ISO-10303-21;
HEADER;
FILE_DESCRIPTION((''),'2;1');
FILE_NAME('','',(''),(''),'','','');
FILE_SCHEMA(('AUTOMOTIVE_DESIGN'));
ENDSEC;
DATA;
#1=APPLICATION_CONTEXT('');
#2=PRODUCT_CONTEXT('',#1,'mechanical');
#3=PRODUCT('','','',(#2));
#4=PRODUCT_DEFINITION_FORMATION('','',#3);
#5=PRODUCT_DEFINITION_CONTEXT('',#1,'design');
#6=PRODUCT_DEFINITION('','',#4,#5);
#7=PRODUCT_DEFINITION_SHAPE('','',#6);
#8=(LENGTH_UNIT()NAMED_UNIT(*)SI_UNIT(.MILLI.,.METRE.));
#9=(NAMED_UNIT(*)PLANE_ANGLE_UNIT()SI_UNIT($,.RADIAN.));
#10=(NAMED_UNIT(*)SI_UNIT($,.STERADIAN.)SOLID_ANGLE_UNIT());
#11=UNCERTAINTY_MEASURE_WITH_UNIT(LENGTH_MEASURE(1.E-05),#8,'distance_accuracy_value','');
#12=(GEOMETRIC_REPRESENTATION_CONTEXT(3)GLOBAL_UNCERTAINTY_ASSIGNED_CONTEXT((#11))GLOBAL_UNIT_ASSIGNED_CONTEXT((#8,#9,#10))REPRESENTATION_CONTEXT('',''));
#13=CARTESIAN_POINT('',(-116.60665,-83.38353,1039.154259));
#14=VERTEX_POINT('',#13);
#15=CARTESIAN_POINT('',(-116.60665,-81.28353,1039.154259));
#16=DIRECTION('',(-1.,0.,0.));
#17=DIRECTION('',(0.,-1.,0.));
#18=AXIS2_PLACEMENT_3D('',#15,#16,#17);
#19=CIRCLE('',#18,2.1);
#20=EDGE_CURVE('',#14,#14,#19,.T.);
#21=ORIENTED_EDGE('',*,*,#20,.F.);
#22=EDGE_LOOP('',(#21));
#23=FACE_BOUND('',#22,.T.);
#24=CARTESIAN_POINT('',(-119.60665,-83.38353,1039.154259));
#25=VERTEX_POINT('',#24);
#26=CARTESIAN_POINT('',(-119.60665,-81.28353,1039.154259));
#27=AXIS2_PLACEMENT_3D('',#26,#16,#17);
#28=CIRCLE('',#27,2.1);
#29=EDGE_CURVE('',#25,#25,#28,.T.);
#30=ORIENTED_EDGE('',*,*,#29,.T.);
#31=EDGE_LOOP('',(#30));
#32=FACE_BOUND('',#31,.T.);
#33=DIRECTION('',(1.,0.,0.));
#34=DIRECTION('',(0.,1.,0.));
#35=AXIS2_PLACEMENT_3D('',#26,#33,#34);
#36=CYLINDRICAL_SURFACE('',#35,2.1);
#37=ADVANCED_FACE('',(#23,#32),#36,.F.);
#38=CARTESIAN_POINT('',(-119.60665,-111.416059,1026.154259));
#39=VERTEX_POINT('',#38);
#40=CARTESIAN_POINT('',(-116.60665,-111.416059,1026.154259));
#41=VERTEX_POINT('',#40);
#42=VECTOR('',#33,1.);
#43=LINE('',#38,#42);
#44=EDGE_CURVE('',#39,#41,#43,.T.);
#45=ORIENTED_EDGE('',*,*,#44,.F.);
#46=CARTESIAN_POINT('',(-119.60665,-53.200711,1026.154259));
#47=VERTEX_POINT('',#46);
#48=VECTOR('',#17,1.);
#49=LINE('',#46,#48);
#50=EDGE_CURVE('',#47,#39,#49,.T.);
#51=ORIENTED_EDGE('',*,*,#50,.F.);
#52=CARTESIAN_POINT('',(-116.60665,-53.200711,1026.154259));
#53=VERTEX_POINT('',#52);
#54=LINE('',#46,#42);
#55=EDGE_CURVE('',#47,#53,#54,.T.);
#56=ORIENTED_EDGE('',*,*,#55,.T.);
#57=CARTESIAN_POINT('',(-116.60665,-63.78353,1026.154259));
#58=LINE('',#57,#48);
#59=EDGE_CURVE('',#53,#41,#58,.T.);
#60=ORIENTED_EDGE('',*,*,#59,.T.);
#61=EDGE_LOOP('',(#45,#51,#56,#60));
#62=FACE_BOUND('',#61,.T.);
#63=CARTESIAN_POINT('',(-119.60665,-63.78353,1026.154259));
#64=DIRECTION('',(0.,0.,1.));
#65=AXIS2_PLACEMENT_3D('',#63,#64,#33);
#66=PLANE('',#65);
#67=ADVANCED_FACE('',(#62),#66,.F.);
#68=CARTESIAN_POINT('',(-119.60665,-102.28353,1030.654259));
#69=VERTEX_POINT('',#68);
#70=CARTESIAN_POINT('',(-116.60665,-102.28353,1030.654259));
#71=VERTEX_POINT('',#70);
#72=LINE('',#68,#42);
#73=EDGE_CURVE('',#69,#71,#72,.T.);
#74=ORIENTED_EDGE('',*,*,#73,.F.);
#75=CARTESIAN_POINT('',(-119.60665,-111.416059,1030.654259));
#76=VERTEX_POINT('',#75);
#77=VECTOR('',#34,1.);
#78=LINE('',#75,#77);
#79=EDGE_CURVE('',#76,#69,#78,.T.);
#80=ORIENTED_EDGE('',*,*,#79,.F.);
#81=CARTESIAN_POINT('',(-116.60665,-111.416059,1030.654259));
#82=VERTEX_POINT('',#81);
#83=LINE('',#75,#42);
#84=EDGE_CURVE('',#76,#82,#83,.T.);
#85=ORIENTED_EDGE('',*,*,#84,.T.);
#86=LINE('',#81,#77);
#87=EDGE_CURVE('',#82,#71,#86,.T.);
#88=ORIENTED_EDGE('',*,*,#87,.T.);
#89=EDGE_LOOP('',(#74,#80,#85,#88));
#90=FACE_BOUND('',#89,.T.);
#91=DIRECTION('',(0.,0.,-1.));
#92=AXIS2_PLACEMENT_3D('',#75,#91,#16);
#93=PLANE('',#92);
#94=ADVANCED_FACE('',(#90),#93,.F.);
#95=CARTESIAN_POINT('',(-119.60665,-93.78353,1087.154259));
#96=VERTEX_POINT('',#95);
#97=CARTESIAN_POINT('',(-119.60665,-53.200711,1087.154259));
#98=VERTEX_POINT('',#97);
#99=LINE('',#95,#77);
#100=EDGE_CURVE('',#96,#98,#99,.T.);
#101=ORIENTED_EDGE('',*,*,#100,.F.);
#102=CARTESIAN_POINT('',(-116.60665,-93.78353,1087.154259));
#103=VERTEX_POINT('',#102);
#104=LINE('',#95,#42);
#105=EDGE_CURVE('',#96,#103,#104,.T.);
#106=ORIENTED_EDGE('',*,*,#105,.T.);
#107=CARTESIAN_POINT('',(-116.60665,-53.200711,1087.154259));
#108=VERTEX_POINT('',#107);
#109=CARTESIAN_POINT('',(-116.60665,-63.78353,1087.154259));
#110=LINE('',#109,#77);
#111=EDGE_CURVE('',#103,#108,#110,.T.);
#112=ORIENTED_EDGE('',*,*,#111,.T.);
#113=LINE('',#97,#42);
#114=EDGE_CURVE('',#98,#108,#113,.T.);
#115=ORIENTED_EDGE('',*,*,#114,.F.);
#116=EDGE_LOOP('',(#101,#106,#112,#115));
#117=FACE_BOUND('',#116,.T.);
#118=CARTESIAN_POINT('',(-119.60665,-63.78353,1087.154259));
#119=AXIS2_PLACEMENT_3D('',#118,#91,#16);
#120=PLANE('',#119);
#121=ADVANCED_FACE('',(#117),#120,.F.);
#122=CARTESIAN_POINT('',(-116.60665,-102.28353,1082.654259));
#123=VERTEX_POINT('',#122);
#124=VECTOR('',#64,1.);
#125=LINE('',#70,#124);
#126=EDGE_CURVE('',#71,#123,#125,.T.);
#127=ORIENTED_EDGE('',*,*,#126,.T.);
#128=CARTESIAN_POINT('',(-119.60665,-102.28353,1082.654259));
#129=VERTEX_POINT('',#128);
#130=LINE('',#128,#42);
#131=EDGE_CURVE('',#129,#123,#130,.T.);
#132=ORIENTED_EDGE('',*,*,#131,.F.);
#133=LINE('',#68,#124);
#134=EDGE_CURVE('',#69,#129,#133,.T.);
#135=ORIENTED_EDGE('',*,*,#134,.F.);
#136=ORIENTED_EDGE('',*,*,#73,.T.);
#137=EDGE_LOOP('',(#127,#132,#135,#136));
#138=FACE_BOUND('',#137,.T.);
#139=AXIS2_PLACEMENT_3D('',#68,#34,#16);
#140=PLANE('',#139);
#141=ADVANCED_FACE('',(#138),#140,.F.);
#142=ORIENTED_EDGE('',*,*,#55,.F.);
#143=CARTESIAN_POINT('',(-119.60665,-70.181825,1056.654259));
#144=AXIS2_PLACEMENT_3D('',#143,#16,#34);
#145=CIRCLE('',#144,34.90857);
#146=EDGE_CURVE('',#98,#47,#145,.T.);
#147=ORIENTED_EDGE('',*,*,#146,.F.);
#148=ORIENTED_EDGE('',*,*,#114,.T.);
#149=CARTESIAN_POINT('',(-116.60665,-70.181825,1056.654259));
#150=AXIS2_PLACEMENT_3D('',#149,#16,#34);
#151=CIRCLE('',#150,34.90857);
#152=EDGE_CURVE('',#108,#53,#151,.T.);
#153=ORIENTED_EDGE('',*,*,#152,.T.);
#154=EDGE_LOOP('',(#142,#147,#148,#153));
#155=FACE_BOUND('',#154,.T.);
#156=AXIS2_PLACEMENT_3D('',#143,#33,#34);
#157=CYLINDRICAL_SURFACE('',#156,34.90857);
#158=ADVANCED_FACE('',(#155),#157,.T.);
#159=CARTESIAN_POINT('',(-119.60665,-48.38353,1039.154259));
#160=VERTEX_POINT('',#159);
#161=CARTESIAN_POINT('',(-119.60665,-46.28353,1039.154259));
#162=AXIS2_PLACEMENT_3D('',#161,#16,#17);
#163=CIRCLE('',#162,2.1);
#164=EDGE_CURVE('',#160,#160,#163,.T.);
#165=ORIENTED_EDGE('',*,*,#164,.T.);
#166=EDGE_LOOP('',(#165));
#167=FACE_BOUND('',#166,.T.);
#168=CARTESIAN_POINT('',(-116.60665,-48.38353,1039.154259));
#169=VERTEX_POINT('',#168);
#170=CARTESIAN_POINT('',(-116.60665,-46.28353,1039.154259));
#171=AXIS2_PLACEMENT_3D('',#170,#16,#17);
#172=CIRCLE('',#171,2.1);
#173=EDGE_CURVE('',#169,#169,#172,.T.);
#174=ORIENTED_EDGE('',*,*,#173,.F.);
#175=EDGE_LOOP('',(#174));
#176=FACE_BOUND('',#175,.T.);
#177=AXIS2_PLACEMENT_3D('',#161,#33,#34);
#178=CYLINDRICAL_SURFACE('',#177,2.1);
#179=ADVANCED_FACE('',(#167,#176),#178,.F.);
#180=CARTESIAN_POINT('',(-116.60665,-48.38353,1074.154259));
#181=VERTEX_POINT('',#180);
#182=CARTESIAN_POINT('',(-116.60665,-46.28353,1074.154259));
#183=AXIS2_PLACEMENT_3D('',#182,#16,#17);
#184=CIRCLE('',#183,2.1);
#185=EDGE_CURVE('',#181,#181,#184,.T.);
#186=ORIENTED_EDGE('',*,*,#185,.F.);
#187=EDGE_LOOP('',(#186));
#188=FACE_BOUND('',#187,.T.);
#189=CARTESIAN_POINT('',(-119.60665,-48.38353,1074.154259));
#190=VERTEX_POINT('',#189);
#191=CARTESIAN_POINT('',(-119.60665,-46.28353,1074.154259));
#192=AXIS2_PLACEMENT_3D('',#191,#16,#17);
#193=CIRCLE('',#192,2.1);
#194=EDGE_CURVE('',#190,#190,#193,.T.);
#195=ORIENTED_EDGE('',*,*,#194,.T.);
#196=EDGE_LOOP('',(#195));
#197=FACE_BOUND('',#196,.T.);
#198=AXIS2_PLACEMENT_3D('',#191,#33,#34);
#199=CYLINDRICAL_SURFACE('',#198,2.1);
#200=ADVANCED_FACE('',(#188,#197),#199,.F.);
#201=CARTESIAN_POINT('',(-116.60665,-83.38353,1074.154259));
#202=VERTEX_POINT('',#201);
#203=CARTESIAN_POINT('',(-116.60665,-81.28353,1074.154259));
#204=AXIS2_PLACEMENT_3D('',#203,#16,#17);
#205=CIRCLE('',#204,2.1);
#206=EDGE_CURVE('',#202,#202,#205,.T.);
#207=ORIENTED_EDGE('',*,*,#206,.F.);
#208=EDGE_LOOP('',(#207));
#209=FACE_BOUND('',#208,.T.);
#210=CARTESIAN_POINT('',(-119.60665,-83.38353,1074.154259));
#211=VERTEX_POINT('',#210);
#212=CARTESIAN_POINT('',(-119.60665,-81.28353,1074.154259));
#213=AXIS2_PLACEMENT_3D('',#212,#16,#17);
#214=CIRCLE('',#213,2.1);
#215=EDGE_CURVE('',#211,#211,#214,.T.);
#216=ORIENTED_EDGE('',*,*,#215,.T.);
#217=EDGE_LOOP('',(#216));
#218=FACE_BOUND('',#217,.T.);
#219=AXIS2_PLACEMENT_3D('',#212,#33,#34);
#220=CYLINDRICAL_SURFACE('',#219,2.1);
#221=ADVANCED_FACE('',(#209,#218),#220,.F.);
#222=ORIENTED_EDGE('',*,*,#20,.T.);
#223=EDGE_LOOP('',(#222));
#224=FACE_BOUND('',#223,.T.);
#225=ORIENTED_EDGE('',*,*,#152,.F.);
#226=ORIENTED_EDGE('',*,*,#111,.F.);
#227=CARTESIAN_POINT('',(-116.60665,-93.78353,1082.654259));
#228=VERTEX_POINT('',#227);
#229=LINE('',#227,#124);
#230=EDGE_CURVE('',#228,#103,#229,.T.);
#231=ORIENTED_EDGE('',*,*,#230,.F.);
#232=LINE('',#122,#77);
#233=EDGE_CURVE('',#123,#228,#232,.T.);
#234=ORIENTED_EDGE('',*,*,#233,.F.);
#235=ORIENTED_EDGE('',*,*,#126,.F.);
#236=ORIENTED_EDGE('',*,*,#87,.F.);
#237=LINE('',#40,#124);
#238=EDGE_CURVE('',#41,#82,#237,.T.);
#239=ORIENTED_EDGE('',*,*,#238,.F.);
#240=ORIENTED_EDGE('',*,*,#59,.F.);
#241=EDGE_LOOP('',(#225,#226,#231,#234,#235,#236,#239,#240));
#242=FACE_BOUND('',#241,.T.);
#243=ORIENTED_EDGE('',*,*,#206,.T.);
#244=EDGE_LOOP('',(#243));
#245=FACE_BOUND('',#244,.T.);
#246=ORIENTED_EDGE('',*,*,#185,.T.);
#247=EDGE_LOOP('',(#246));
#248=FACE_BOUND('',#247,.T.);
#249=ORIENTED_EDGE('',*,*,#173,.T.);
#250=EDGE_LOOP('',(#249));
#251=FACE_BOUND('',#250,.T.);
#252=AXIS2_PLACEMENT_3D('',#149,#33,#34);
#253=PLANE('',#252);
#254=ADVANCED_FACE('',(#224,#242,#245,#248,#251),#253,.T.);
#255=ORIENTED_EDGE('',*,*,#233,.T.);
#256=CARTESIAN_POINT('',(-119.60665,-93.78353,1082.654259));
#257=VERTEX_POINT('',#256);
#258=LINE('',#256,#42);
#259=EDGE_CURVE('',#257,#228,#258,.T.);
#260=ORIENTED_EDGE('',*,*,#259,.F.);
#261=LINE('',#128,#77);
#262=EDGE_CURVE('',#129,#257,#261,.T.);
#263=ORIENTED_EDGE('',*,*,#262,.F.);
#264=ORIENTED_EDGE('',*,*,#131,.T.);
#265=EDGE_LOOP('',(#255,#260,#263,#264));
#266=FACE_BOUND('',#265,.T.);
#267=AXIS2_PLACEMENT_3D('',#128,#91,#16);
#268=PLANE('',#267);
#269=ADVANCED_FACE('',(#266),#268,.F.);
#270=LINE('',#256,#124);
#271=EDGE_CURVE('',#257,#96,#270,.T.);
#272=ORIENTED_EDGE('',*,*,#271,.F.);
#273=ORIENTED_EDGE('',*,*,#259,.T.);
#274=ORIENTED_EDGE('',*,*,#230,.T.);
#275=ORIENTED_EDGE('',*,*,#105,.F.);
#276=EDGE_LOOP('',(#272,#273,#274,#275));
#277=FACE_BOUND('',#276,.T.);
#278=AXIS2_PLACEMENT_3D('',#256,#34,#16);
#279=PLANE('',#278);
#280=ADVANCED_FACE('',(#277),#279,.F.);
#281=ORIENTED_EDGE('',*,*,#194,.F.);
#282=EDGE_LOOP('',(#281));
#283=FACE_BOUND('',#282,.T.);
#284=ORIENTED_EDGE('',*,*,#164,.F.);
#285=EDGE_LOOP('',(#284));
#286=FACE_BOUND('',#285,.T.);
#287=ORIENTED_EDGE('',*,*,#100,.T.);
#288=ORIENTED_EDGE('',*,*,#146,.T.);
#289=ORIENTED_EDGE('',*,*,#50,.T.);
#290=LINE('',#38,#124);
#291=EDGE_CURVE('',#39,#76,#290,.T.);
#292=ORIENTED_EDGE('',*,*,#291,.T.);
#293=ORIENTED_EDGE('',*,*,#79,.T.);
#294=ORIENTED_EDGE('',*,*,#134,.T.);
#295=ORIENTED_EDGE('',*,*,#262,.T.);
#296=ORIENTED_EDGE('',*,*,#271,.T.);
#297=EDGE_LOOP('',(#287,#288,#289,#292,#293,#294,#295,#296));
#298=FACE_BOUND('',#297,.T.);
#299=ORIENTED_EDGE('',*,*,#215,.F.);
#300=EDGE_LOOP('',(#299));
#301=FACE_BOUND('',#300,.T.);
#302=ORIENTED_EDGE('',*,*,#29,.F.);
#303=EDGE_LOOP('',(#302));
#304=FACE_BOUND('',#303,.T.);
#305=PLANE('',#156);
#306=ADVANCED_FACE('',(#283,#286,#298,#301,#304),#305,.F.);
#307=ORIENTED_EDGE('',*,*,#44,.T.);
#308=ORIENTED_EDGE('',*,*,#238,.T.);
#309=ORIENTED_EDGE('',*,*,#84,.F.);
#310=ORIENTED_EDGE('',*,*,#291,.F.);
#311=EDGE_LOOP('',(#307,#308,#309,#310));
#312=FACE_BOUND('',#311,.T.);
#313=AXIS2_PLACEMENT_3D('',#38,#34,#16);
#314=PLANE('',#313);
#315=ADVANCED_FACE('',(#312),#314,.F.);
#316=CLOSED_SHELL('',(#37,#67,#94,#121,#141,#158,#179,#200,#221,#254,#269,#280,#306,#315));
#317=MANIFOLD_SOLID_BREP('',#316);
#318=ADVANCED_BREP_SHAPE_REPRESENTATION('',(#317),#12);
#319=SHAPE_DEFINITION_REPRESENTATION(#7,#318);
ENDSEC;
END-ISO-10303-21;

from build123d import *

# Parameters (mm, degrees)
SKETCH_2_R      = 2.1
EXTRUDE_1_DEPTH = 3


with BuildPart() as part:
    # 草图2 → 凸台-拉伸1 (new body)
    with BuildSketch(Plane.ZY.offset(116.606649797)):
        with BuildLine():
            Line((1030.654259328, -102.283530386), (1082.654259328, -102.283530386))
            Line((1082.654259328, -102.283530386), (1082.654259328, -93.783530386))
            Line((1082.654259328, -93.783530386), (1087.154259328, -93.783530386))
            Line((1087.154259328, -93.783530386), (1087.154259328, -63.783530386))
            Line((1087.154259328, -63.783530386), (1087.154259328, -53.200711014))
            ThreePointArc((1087.154259328, -53.200711014), (1056.654259328, -35.273255635), (1026.154259328, -53.200711014))
            Line((1026.154259328, -53.200711014), (1026.154259328, -63.783530386))
            Line((1026.154259328, -63.783530386), (1026.154259328, -111.416059373))
            Line((1026.154259328, -111.416059373), (1030.654259328, -111.416059373))
            Line((1030.654259328, -111.416059373), (1030.654259328, -102.283530386))
        make_face()
        with Locations(Location((1074.154259328, -81.283530386, 0), (0, 0, 270))):
            Circle(SKETCH_2_R, mode=Mode.SUBTRACT)
        with Locations(Location((1039.154259328, -81.283530386, 0), (0, 0, 270))):
            Circle(SKETCH_2_R, mode=Mode.SUBTRACT)
        with Locations(Location((1074.154259328, -46.283530386, 0), (0, 0, 270))):
            Circle(SKETCH_2_R, mode=Mode.SUBTRACT)
        with Locations(Location((1039.154259328, -46.283530386, 0), (0, 0, 270))):
            Circle(SKETCH_2_R, mode=Mode.SUBTRACT)
    extrude(amount=EXTRUDE_1_DEPTH)


solid = part.part
